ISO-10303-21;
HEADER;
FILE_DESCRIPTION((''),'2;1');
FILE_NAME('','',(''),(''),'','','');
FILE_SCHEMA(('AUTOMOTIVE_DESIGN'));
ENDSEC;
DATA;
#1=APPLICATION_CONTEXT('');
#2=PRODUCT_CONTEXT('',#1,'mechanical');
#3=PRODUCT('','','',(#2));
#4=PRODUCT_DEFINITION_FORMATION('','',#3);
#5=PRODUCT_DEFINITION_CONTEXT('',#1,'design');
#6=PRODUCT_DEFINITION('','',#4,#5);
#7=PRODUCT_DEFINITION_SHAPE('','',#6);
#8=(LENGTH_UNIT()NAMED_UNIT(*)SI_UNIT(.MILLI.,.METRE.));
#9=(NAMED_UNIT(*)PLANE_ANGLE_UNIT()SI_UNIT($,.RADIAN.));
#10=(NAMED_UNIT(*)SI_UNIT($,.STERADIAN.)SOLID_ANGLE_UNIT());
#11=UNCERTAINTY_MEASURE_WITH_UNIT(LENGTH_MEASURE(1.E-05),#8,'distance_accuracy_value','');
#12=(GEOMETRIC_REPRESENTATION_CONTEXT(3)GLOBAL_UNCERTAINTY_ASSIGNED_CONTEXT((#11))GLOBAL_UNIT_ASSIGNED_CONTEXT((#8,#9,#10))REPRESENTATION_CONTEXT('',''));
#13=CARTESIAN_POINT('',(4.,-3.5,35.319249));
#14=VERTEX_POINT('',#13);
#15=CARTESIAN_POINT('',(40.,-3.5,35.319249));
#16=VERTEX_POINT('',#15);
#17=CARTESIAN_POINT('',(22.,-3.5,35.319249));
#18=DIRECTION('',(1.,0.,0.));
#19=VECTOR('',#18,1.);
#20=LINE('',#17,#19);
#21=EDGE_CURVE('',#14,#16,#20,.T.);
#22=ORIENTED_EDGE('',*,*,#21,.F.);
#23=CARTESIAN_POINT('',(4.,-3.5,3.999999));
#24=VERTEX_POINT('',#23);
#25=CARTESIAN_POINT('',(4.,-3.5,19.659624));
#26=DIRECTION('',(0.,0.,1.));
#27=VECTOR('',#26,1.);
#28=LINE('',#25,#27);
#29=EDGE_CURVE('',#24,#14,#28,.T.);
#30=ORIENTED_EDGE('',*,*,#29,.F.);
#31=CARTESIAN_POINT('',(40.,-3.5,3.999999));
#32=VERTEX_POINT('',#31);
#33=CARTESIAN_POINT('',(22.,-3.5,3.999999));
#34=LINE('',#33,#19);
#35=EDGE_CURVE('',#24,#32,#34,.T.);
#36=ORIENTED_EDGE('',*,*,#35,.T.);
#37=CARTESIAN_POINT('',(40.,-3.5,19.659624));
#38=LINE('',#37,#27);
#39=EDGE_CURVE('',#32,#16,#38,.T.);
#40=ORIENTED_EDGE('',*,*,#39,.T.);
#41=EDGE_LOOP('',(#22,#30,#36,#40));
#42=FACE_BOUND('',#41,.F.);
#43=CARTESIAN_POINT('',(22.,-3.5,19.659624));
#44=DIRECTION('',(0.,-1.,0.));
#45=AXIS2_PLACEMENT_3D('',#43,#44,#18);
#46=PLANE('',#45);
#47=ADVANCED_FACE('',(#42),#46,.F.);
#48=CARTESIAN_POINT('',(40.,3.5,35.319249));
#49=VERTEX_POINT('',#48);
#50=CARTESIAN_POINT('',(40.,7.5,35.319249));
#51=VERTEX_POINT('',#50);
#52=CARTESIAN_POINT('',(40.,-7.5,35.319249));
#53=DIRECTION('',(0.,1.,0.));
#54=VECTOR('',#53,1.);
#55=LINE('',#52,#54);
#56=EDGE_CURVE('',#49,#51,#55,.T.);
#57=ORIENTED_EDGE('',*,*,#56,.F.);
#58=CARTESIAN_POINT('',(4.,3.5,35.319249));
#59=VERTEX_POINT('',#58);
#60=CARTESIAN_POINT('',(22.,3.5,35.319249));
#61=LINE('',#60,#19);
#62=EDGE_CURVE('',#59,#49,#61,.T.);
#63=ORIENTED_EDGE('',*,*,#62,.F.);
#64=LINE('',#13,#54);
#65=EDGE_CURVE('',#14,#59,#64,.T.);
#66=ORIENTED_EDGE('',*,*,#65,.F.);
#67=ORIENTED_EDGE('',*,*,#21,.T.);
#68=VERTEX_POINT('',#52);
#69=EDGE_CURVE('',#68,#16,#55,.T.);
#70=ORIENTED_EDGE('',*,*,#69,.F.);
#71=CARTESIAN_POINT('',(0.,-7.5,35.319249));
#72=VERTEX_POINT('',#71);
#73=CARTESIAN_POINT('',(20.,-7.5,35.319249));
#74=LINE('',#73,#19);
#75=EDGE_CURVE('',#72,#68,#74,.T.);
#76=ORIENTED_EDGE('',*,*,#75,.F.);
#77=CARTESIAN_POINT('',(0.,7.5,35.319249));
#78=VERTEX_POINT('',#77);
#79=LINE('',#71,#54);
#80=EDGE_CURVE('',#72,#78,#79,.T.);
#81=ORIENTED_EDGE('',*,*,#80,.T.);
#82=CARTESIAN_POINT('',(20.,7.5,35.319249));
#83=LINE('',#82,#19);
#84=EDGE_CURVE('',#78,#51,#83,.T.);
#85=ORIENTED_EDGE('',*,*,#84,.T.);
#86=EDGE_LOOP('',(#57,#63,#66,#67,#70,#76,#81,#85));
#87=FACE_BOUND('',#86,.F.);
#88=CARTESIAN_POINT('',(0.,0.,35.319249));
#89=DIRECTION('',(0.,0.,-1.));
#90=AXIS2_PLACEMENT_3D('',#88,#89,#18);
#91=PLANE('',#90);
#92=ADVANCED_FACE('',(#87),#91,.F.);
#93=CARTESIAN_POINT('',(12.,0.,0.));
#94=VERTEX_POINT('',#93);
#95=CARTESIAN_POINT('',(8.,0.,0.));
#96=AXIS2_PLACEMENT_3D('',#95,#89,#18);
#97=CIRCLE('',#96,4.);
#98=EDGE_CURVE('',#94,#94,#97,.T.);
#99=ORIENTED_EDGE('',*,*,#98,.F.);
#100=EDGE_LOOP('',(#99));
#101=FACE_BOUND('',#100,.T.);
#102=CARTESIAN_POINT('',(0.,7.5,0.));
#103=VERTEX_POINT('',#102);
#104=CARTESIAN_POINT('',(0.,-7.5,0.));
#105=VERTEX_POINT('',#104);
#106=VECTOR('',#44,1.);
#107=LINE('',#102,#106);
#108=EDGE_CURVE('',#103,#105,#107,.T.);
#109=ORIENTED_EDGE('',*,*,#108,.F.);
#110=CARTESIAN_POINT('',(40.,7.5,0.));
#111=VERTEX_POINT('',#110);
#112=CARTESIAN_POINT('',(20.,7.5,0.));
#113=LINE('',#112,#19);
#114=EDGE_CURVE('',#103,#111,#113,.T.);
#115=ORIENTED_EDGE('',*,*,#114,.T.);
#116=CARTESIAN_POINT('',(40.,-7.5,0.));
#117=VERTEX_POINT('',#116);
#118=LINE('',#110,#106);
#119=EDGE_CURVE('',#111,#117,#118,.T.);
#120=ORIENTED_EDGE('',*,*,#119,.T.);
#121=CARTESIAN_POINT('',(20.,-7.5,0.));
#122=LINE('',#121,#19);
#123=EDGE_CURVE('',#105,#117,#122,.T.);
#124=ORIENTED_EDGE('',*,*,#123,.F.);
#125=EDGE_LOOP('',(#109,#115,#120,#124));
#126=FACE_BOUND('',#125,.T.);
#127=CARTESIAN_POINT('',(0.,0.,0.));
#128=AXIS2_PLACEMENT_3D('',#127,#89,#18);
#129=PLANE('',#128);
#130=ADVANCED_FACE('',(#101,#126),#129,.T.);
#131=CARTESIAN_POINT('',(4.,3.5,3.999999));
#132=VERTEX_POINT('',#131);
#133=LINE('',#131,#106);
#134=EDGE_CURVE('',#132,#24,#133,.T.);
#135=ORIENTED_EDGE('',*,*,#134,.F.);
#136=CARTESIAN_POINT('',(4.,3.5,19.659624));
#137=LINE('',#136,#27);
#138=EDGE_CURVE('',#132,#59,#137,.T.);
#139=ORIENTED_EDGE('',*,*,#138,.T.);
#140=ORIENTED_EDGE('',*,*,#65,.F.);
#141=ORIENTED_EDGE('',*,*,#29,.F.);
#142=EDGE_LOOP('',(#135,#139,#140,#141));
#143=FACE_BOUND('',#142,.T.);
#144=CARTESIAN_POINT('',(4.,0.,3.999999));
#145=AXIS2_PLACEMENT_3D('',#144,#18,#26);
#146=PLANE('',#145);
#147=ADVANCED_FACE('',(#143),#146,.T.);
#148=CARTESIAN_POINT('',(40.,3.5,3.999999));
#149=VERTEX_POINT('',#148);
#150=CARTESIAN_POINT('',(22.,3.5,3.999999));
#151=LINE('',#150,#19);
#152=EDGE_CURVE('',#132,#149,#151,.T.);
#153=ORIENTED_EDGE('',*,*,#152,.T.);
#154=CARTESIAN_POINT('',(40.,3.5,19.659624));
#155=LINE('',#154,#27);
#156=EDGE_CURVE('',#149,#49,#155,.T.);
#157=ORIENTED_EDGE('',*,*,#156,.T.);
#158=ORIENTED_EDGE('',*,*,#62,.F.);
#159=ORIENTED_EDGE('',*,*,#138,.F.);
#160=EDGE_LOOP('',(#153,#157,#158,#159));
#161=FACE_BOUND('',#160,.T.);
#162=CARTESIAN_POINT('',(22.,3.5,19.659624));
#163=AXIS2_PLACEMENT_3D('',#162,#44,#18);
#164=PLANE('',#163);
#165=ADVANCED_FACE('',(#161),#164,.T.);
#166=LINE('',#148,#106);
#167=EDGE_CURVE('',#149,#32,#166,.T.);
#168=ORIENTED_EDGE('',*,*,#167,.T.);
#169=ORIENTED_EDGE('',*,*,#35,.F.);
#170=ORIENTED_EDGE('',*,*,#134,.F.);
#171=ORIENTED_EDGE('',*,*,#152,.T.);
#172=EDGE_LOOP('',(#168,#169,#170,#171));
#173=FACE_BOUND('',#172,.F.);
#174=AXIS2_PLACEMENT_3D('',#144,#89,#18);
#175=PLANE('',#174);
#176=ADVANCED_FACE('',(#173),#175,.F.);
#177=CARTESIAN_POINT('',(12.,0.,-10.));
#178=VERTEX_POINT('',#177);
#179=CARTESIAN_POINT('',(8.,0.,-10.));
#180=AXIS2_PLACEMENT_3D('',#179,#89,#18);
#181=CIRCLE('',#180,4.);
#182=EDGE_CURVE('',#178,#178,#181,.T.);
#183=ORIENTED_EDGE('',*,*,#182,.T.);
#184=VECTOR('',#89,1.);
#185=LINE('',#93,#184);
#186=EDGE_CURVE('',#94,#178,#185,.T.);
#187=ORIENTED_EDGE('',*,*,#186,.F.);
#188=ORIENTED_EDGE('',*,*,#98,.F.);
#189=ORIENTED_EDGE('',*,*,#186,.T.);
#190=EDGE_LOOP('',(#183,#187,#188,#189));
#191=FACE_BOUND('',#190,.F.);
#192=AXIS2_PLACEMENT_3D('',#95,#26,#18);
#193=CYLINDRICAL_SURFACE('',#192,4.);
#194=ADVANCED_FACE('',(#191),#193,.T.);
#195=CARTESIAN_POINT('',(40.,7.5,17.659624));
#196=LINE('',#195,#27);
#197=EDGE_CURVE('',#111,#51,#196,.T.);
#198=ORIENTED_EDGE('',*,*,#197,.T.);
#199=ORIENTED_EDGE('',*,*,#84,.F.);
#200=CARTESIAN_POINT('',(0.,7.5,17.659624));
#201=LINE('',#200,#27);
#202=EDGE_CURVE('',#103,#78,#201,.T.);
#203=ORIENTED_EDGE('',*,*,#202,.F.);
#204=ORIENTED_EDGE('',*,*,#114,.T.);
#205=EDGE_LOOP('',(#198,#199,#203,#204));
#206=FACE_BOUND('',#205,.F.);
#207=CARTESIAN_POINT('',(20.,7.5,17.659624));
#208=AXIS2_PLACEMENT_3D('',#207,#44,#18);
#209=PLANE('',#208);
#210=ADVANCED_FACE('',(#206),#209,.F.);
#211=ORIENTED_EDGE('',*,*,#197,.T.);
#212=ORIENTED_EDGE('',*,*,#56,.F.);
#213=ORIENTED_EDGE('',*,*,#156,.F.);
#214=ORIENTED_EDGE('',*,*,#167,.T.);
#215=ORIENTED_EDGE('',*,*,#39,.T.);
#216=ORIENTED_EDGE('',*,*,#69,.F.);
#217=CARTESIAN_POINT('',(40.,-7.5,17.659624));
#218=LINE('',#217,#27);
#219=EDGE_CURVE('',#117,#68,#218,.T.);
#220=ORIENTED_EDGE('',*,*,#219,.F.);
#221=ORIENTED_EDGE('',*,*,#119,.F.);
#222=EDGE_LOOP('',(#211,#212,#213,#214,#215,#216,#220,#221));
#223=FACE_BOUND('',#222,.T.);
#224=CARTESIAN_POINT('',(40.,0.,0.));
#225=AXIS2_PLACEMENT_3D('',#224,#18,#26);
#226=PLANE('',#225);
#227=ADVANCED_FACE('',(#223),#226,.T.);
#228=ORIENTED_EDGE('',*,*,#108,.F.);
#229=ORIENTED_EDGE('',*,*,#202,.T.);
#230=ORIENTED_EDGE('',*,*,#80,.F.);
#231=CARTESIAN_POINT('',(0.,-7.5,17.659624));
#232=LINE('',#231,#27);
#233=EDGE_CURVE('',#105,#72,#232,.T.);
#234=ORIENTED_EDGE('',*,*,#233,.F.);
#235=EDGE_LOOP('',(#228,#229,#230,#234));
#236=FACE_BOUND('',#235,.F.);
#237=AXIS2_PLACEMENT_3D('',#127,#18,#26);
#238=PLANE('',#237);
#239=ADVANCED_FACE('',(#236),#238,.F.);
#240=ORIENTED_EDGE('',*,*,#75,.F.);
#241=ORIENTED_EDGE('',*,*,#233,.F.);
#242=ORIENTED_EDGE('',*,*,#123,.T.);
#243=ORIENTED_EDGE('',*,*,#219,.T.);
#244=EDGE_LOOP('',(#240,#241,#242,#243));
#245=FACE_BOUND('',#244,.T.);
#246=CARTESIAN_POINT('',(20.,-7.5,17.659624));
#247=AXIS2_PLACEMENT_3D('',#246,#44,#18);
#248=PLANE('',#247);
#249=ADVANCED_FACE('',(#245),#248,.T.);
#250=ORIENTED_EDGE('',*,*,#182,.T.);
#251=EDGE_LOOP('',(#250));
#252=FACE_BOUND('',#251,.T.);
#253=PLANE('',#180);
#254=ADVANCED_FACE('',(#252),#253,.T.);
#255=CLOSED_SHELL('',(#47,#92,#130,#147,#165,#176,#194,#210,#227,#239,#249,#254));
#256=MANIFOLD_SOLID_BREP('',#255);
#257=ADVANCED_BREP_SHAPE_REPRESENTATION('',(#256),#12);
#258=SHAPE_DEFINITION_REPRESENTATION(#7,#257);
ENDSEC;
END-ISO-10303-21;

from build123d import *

# Parameters (mm, degrees)
F0_W     = 40
F0_H     = 35.319249
F1_DEPTH = 7.5
F2_W     = 36
F2_H     = 31.319249
F3_DEPTH = 3.5
F4_R     = 4
F5_DEPTH = 10


with BuildPart() as f1:
    # F0 (on Front) → F1 (new body, symmetric)
    with BuildSketch(Plane.XZ):
        with Locations((20, 17.659624)):
            Rectangle(F0_W, F0_H)
    extrude(amount=F1_DEPTH, both=True)

    # F2 (on Front) → F3 (cut, symmetric)
    with BuildSketch(Plane.XZ):
        with Locations((22, 19.659624)):
            Rectangle(F2_W, F2_H)
    extrude(amount=F3_DEPTH, both=True, mode=Mode.SUBTRACT)

    # F4 (on face) → F5 (join)
    with BuildSketch(Plane(origin=(0, 0, 0), x_dir=(1, 0, 0), z_dir=(0, 0, -1))):
        with Locations((8, 0)):
            Circle(F4_R)
    extrude(amount=F5_DEPTH)


solid = f1.part
